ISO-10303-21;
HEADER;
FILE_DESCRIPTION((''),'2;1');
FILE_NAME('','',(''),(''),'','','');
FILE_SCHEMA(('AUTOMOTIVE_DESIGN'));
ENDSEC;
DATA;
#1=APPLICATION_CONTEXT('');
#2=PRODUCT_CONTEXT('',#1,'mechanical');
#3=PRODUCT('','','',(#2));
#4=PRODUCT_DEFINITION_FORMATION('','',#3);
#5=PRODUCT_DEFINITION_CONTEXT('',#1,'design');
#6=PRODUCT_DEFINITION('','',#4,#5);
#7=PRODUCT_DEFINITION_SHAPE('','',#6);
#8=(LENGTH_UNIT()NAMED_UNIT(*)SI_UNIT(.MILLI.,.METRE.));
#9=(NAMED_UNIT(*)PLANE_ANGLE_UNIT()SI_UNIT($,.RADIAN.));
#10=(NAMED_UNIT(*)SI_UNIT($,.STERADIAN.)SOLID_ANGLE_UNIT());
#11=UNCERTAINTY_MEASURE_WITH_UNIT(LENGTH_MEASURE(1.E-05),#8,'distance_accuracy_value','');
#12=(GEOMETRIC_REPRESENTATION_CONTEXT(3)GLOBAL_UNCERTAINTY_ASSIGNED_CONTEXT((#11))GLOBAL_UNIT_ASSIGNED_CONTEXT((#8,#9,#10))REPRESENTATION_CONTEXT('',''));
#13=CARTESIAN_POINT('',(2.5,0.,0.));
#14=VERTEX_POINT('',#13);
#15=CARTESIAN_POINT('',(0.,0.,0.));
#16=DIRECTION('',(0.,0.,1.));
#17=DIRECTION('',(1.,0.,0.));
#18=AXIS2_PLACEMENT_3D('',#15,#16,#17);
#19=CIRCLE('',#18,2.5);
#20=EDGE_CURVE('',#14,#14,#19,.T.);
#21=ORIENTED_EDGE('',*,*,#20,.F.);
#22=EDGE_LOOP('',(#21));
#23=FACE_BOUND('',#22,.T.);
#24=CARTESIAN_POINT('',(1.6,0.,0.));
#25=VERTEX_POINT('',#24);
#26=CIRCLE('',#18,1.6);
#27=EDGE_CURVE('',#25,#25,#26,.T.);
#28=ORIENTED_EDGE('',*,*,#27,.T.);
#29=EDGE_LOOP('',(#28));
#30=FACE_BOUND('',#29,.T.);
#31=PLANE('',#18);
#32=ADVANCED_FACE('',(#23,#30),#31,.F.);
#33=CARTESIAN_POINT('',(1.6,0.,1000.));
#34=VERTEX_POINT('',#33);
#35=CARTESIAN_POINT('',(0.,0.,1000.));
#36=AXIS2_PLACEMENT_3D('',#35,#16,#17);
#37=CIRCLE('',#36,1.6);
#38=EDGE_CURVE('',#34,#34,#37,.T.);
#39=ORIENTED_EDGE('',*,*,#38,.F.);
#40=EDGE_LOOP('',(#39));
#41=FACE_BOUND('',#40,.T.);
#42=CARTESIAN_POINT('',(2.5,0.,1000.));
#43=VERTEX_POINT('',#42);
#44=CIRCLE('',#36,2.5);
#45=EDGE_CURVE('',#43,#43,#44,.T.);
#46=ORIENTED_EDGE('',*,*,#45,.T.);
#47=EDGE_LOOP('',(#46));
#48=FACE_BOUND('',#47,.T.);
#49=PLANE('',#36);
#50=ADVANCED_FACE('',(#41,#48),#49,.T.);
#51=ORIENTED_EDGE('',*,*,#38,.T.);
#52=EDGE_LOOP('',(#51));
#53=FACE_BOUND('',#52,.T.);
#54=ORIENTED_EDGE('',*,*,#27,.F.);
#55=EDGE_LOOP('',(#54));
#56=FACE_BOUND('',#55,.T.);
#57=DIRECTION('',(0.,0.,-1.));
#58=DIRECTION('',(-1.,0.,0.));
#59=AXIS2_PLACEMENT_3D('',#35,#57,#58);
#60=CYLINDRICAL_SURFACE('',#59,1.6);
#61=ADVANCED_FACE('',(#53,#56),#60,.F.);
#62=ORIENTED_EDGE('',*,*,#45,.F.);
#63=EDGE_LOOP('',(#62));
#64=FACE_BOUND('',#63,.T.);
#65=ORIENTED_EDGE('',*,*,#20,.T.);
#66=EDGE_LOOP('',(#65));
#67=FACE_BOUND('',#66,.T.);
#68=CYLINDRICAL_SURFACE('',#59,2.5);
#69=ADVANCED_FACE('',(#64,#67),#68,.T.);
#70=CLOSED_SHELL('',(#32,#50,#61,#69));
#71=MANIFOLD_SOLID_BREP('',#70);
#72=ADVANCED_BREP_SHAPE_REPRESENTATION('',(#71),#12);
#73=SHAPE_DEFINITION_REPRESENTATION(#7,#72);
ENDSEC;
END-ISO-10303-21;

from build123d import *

# Parameters (mm, degrees)
SKETCH1_R           = 2.5
SKETCH1_R_2         = 1.6
BOSS_EXTRUDE1_DEPTH = 1000


with BuildPart() as part:
    # Sketch1 → Boss-Extrude1 (new body)
    with BuildSketch(Plane.XY):
        Circle(SKETCH1_R)
        Circle(SKETCH1_R_2, mode=Mode.SUBTRACT)
    extrude(amount=BOSS_EXTRUDE1_DEPTH)


solid = part.part
